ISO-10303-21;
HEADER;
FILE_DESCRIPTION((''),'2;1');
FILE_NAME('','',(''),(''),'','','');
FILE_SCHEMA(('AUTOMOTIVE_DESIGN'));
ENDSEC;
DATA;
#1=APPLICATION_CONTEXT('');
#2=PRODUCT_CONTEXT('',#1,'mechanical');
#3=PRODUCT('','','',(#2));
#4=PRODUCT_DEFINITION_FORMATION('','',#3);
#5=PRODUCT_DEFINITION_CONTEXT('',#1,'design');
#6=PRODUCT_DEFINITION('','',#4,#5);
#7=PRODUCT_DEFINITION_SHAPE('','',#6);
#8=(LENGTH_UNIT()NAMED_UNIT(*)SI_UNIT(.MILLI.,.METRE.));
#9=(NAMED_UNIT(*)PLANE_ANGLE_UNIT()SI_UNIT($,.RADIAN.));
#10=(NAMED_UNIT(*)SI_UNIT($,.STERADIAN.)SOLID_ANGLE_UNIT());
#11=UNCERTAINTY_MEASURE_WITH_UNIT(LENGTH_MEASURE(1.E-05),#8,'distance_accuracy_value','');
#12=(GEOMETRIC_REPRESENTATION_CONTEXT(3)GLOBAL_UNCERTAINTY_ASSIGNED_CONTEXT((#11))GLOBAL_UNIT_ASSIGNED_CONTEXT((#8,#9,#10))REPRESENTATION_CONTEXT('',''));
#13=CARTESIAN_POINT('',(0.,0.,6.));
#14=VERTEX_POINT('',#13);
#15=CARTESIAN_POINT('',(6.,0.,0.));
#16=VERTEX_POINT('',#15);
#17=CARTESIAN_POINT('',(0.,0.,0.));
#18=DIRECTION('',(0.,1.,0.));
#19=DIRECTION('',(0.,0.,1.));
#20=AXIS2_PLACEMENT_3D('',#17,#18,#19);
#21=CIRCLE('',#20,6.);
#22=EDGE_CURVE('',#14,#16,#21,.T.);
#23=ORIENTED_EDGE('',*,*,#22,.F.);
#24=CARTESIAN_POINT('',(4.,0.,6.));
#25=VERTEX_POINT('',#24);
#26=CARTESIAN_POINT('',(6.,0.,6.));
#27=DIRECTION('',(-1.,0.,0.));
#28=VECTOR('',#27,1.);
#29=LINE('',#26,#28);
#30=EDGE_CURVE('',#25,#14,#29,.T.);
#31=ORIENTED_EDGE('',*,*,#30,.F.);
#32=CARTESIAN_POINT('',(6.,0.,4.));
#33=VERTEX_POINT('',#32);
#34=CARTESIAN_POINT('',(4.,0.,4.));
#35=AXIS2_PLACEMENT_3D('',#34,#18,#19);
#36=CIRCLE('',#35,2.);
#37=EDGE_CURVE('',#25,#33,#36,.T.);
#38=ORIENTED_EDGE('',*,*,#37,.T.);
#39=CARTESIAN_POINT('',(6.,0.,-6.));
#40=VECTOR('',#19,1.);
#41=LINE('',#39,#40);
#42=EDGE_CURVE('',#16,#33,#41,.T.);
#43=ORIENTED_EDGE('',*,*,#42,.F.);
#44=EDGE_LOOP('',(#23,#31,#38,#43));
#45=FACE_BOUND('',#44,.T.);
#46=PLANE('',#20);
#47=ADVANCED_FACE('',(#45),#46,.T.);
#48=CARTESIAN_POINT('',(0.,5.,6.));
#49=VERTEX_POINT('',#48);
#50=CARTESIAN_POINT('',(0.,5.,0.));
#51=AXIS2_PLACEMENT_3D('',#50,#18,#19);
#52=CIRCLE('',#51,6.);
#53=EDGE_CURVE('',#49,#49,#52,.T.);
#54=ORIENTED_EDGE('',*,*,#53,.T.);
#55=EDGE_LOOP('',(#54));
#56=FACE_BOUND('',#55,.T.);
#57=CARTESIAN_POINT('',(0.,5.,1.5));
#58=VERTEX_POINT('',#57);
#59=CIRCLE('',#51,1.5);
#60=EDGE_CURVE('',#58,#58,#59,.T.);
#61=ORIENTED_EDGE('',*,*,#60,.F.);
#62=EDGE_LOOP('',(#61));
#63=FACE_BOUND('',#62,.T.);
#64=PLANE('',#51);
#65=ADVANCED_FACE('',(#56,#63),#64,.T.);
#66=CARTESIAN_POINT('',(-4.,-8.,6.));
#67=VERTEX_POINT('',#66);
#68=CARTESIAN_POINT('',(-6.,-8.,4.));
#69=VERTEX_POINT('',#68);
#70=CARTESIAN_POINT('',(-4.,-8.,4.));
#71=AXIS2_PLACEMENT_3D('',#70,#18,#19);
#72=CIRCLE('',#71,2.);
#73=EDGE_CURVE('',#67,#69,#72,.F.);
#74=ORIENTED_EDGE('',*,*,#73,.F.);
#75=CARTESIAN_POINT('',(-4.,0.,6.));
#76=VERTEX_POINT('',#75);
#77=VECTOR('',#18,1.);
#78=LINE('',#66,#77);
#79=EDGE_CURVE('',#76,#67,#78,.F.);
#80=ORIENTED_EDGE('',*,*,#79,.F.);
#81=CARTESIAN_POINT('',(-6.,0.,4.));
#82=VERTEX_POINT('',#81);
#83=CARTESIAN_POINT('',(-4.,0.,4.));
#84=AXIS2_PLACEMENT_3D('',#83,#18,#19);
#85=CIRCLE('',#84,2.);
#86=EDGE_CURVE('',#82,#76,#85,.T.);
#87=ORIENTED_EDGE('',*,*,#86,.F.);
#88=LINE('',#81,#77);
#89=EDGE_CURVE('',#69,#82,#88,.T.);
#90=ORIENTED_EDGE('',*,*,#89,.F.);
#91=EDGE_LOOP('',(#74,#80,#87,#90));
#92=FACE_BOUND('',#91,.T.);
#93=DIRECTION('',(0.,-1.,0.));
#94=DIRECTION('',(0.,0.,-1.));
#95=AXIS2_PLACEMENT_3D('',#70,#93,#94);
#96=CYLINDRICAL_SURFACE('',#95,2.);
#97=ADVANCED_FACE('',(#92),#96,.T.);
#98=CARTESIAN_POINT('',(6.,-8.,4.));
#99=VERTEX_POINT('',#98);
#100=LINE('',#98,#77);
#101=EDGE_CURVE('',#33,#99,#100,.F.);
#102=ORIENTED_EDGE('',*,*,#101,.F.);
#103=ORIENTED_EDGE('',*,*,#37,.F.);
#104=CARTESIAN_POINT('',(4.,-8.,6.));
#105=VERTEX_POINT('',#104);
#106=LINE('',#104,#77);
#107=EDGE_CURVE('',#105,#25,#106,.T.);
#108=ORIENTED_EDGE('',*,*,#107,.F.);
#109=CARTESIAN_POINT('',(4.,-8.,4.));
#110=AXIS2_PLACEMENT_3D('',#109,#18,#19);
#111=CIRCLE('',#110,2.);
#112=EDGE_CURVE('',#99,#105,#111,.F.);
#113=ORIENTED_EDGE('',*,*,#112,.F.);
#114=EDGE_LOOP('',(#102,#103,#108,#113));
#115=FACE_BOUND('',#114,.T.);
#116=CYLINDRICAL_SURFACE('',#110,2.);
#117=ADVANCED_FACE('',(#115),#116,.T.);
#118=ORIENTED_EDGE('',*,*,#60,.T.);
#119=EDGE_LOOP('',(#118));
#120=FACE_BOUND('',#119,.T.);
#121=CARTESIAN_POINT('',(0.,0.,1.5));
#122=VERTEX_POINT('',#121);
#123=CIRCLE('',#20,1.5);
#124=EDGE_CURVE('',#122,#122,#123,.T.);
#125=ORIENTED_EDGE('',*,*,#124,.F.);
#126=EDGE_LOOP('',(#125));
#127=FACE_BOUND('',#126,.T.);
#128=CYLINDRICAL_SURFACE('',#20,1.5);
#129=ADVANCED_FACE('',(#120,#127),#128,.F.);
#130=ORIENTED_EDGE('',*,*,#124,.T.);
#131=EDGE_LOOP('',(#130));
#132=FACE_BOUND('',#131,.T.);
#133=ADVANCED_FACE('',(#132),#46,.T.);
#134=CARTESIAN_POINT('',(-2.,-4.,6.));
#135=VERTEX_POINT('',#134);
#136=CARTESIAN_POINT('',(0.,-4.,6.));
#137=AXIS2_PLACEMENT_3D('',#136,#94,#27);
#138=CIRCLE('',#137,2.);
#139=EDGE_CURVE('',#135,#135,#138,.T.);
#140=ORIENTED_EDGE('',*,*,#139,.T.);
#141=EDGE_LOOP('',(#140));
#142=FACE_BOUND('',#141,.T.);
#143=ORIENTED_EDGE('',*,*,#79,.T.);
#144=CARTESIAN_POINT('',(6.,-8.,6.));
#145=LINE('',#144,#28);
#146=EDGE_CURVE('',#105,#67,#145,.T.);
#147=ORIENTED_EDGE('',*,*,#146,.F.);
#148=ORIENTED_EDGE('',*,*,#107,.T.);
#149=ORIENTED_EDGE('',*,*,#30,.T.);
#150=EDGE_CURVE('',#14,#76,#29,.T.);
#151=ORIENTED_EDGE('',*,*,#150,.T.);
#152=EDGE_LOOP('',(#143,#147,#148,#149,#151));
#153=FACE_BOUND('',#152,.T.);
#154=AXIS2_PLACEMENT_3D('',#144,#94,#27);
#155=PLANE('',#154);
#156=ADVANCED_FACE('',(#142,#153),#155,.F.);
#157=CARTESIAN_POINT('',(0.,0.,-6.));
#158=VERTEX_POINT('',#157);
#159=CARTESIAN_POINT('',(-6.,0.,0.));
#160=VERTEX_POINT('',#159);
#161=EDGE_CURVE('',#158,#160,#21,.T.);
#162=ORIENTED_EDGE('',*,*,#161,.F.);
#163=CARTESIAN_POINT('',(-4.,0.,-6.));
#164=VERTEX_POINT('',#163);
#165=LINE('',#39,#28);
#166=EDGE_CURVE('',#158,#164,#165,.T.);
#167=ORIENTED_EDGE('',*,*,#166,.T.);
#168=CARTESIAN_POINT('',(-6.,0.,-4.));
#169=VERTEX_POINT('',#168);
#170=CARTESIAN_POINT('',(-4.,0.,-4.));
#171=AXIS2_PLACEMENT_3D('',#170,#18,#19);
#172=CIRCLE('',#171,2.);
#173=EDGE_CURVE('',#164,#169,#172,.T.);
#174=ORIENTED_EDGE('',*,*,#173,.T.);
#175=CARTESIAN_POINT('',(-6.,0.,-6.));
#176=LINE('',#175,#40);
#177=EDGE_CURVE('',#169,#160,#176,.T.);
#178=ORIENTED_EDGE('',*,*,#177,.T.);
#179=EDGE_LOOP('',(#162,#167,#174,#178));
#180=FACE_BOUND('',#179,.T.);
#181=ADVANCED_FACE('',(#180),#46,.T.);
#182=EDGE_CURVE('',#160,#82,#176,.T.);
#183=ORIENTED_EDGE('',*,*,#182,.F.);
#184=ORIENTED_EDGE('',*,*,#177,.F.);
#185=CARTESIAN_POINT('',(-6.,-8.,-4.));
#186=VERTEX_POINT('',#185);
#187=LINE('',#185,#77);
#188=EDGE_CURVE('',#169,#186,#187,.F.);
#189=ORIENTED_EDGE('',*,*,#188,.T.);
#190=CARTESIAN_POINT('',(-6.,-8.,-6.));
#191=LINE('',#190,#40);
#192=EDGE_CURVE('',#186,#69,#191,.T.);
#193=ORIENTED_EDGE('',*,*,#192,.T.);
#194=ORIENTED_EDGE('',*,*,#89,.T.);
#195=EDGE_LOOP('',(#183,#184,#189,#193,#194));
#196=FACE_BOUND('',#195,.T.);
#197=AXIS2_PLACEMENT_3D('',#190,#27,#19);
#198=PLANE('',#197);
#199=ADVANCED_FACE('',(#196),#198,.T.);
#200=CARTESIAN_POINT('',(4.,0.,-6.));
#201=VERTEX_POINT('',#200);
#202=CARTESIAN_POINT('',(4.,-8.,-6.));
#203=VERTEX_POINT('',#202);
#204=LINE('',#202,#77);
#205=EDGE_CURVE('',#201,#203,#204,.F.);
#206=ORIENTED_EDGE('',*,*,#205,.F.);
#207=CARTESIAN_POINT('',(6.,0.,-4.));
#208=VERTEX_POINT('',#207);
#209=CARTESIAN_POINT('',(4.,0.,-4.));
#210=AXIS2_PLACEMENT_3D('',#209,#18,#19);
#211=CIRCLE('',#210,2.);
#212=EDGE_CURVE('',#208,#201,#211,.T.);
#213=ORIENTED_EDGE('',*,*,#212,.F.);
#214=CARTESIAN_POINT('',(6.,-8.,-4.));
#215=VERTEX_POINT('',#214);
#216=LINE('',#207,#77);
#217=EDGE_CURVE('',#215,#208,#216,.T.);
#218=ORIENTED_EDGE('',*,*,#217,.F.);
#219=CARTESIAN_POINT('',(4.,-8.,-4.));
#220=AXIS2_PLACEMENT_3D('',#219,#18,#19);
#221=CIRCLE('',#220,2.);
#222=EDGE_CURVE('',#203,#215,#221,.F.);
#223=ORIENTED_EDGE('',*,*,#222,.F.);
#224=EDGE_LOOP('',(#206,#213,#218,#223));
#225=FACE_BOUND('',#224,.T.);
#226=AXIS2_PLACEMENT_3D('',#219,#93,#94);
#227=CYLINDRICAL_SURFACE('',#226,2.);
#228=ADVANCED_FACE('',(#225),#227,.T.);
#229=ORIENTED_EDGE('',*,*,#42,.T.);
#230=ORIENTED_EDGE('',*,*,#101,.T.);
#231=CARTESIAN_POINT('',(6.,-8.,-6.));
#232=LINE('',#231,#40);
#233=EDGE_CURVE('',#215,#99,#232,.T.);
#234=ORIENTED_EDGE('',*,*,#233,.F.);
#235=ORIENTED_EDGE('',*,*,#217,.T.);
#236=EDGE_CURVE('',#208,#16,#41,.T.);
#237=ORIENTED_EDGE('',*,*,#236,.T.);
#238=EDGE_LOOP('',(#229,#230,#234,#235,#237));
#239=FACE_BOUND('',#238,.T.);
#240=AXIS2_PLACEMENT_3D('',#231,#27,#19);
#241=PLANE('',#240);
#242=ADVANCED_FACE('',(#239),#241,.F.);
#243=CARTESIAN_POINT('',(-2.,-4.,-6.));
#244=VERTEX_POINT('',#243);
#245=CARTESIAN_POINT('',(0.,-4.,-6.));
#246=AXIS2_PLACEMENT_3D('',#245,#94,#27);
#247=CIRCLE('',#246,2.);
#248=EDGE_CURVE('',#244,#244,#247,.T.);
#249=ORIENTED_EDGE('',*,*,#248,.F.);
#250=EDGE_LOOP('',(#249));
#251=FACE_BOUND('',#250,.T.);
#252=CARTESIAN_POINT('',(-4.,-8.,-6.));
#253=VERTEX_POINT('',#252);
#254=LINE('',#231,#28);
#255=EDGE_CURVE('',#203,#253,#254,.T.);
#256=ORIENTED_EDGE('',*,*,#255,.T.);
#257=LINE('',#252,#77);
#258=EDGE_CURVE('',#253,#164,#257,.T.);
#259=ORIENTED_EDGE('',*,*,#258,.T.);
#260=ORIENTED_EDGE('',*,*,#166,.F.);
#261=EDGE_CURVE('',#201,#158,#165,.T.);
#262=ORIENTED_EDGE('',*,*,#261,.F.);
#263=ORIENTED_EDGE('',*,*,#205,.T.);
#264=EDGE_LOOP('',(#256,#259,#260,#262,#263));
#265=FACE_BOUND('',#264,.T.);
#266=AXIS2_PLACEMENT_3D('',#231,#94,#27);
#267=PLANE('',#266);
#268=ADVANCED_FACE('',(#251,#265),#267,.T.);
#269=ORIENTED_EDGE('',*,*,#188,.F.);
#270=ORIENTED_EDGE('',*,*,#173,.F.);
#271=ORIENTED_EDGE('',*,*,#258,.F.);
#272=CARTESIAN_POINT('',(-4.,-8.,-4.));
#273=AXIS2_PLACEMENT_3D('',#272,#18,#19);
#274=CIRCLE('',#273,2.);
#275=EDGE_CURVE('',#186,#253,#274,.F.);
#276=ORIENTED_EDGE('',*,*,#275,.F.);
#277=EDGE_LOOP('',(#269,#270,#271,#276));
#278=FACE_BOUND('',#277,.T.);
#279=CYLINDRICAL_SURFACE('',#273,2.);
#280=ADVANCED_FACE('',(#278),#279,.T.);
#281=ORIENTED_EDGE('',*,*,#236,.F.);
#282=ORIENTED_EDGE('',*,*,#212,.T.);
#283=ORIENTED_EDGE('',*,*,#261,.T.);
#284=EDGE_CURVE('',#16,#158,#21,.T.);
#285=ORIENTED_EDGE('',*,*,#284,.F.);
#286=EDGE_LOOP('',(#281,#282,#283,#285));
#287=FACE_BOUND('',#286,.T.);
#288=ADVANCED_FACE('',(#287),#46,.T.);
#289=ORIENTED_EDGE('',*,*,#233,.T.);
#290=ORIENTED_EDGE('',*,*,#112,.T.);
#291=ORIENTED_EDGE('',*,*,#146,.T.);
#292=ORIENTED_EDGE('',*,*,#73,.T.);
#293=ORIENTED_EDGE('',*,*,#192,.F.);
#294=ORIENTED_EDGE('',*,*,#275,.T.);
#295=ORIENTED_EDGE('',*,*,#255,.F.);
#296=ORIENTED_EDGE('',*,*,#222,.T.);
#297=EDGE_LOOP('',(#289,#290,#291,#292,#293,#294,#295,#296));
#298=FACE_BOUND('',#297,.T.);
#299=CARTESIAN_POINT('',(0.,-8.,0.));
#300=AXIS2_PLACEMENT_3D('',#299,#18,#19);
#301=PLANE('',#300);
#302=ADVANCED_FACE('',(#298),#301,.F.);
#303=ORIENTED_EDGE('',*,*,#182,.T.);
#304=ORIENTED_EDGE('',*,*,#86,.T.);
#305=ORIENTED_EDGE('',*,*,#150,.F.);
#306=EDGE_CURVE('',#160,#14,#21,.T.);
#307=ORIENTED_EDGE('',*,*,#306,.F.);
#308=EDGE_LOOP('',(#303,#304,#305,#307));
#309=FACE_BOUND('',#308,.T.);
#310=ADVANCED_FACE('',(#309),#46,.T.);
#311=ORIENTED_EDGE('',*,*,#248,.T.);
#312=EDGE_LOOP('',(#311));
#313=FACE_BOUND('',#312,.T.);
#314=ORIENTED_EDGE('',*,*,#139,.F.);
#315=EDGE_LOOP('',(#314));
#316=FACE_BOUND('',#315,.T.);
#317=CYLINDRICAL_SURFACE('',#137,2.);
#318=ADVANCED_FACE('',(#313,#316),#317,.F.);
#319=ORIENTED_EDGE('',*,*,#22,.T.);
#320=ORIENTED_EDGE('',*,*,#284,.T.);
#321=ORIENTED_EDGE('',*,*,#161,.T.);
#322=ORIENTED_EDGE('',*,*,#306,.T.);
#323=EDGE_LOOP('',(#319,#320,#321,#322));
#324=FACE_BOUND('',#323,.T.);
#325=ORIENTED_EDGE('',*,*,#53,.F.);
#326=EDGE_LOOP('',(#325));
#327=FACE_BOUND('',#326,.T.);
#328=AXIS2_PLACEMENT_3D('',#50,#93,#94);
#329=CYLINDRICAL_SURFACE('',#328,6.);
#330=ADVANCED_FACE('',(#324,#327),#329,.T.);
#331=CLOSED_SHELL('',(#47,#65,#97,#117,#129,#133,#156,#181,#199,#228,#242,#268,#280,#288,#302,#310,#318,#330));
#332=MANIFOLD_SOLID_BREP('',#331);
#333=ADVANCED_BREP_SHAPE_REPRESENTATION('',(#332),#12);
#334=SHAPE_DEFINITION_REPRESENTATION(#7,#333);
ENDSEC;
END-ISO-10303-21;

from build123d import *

# Parameters (mm, degrees)
SKETCH_1_R          = 6
EXTRUDE_1_DEPTH     = 5
SKETCH_2_W          = 12
SKETCH_2_H          = 12
EXTRUDE_2_DEPTH     = 8
FILLET_1_R          = 2
SKETCH_3_R          = 1.5
CUT_EXTRUDE_1_DEPTH = 5
SKETCH_4_R          = 2
CUT_EXTRUDE_2_DEPTH = 16.620499352


with BuildPart() as part:
    # 草图1 → 凸台-拉伸1 (new body)
    with BuildSketch(Plane(origin=(0, 0, 0), x_dir=(1, 0, 0), z_dir=(0, 1, 0))):
        with Locations(Location((0, 0, 0), (0, 0, 270))):
            Circle(SKETCH_1_R)
    extrude(amount=EXTRUDE_1_DEPTH)

    # 草图2 → 凸台-拉伸2 (add)
    with BuildSketch(Plane.XZ):
        Rectangle(SKETCH_2_W, SKETCH_2_H)
    extrude(amount=EXTRUDE_2_DEPTH)

    # 圆角1
    fillet_1_edges = [part.edges().sort_by_distance(p)[0] for p in [
        (-6, -4, 6),
        (-6, -4, -6),
        (6, -4, -6),
        (6, -4, 6),
    ]]
    fillet(fillet_1_edges, radius=FILLET_1_R)

    # 草图3 → 切除-拉伸1 (cut)
    with BuildSketch(Plane(origin=(0, 5, 0), x_dir=(1, 0, 0), z_dir=(0, 1, 0))):
        with Locations(Location((0, 0, 0), (0, 0, 270))):
            Circle(SKETCH_3_R)
    extrude(amount=-CUT_EXTRUDE_1_DEPTH, mode=Mode.SUBTRACT)

    # 草图4 → 切除-拉伸2 (cut, through all)
    with BuildSketch(Plane(origin=(0, 0, -6), x_dir=(-1, 0, 0), z_dir=(0, 0, -1))):
        with Locations((0, -4)):
            Circle(SKETCH_4_R)
    extrude(amount=-CUT_EXTRUDE_2_DEPTH, mode=Mode.SUBTRACT)


solid = part.part
